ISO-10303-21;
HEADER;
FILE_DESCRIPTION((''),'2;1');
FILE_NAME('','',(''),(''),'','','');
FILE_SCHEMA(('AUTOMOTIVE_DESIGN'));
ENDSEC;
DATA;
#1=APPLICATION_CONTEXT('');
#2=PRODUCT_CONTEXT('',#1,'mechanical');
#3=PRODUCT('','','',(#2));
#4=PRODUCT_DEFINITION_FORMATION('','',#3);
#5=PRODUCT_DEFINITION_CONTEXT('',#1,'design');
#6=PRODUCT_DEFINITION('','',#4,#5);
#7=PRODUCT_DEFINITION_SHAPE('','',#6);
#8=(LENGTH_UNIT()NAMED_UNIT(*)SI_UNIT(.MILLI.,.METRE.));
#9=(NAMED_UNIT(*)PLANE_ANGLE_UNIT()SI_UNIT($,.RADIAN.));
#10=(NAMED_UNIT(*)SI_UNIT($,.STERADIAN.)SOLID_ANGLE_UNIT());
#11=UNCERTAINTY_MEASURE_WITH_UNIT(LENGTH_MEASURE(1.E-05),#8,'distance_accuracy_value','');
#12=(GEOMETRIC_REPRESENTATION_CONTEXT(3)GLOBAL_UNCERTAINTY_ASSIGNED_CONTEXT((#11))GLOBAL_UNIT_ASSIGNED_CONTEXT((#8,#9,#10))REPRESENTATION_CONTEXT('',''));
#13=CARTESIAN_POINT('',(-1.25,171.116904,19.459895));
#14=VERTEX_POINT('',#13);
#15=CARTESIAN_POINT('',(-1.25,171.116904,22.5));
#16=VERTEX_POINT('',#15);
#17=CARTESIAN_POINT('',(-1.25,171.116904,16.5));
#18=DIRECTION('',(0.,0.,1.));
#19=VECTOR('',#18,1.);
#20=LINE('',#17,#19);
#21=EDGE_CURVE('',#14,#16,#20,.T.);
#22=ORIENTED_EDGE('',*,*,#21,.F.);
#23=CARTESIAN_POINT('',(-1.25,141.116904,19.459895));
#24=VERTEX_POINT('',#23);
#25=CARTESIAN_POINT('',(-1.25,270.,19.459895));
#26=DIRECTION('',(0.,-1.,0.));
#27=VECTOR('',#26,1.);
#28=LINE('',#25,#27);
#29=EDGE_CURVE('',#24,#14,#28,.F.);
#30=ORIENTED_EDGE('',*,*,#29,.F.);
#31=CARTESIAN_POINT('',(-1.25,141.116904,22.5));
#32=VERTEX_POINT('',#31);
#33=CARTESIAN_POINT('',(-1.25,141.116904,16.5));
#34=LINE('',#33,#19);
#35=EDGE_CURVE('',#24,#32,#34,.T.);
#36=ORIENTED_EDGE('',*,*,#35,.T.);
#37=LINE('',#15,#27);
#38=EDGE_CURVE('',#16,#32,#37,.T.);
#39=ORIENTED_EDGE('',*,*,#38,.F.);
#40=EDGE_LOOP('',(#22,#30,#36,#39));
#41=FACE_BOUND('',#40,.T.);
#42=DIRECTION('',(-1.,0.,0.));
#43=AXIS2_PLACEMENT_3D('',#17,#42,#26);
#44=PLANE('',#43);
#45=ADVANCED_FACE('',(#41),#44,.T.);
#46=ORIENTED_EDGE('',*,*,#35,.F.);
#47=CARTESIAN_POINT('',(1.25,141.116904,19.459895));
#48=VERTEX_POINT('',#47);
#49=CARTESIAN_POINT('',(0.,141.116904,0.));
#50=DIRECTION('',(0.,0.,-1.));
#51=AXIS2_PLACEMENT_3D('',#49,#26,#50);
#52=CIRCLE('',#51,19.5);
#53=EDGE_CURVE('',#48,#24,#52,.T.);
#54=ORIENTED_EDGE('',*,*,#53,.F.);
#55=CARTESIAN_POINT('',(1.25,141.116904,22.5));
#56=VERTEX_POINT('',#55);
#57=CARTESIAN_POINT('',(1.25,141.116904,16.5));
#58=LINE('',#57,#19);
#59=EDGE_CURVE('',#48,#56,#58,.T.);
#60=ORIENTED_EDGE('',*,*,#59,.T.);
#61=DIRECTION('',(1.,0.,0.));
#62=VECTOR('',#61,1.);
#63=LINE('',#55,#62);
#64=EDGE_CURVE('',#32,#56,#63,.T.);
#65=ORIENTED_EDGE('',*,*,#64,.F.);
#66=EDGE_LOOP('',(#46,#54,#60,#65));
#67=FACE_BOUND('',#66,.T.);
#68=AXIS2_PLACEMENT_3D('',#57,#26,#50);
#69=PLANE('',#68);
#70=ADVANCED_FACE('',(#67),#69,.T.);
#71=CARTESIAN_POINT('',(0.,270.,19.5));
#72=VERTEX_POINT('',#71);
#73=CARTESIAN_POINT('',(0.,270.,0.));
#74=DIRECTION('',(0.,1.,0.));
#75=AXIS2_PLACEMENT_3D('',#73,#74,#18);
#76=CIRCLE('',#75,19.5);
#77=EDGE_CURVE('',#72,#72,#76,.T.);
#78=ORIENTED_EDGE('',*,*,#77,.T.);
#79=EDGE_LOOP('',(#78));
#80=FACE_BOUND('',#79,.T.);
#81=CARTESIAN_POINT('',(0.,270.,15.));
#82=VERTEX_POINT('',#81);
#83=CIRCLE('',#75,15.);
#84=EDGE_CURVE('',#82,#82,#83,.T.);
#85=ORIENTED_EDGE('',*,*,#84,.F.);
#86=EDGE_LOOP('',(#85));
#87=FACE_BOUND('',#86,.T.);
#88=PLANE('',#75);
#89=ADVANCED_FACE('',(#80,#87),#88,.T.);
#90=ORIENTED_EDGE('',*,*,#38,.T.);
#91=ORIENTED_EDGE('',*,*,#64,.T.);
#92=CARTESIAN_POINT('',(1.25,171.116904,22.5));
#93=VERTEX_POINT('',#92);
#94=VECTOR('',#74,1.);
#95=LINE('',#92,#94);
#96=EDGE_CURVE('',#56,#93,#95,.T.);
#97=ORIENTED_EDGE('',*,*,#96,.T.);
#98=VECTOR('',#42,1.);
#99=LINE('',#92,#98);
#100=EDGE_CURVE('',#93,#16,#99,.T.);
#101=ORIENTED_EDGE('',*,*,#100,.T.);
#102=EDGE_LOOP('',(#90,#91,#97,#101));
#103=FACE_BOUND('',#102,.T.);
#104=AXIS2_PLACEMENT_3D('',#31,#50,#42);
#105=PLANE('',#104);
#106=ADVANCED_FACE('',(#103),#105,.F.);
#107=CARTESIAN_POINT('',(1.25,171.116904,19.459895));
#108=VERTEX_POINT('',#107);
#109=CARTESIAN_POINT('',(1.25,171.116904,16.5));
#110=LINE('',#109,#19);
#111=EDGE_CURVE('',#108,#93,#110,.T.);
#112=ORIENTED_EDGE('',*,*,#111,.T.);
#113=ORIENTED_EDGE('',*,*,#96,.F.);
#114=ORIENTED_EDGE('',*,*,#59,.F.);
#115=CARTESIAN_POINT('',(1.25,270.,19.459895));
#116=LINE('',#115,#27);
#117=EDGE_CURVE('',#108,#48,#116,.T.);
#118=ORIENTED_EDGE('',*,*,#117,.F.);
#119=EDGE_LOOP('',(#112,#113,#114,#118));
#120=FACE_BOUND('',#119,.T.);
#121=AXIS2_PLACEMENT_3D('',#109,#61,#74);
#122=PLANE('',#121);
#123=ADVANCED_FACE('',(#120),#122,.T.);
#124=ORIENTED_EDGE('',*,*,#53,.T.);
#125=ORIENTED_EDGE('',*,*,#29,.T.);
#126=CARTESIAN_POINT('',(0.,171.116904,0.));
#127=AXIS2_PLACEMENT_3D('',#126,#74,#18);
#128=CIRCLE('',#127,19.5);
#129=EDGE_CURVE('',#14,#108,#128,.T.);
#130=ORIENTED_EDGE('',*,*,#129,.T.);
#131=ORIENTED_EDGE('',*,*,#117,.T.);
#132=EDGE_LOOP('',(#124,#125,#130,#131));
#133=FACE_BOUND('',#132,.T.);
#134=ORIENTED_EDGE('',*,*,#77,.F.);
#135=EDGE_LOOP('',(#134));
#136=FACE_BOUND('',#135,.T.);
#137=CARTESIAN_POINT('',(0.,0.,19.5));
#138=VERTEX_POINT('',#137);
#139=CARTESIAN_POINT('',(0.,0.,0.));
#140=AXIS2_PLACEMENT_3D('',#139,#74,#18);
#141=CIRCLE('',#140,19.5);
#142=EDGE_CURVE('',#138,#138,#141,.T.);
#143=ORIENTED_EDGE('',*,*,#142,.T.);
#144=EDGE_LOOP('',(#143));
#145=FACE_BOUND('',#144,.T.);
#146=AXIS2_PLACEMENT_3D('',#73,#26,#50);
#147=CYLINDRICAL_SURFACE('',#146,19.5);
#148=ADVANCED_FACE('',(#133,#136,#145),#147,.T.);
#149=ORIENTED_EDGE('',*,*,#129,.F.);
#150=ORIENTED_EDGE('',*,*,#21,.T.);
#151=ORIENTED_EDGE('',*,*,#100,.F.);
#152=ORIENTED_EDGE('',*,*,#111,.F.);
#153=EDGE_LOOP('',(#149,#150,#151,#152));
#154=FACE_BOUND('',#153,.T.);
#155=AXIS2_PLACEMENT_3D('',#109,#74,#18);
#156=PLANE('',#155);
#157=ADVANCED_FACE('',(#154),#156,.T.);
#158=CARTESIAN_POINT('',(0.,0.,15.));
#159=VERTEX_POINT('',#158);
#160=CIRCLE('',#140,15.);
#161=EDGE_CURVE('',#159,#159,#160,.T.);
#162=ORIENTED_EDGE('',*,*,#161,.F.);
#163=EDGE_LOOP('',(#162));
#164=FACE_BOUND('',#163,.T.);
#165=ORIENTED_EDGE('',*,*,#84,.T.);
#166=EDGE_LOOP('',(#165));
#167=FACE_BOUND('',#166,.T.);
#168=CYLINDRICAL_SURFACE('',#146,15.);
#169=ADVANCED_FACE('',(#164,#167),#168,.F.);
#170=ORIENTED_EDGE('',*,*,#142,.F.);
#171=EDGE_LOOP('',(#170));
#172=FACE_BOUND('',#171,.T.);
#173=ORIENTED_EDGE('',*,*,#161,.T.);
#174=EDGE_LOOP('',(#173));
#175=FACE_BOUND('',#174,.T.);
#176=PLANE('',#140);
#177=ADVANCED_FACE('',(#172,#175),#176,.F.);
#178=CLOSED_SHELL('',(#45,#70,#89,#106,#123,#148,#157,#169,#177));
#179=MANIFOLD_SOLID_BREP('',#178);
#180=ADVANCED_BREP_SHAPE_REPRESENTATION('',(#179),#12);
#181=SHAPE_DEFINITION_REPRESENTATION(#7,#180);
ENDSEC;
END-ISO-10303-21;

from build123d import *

# Parameters (mm, degrees)
SKETCH1_R           = 19.5
SKETCH1_R_2         = 15
BOSS_EXTRUDE1_DEPTH = 270
SKETCH3_W           = 2.5
SKETCH3_H           = 30
BOSS_EXTRUDE2_DEPTH = 6


with BuildPart() as part:
    # Sketch1 → Boss-Extrude1 (new body)
    with BuildSketch(Plane(origin=(0, 0, 0), x_dir=(1, 0, 0), z_dir=(0, 1, 0))):
        Circle(SKETCH1_R)
        Circle(SKETCH1_R_2, mode=Mode.SUBTRACT)
    extrude(amount=BOSS_EXTRUDE1_DEPTH)

    # Sketch3 → Boss-Extrude2 (add)
    with BuildSketch(Plane.XY.offset(22.5)):
        with Locations((0, 156.116903923)):
            Rectangle(SKETCH3_W, SKETCH3_H)
    extrude(amount=-BOSS_EXTRUDE2_DEPTH)


solid = part.part
